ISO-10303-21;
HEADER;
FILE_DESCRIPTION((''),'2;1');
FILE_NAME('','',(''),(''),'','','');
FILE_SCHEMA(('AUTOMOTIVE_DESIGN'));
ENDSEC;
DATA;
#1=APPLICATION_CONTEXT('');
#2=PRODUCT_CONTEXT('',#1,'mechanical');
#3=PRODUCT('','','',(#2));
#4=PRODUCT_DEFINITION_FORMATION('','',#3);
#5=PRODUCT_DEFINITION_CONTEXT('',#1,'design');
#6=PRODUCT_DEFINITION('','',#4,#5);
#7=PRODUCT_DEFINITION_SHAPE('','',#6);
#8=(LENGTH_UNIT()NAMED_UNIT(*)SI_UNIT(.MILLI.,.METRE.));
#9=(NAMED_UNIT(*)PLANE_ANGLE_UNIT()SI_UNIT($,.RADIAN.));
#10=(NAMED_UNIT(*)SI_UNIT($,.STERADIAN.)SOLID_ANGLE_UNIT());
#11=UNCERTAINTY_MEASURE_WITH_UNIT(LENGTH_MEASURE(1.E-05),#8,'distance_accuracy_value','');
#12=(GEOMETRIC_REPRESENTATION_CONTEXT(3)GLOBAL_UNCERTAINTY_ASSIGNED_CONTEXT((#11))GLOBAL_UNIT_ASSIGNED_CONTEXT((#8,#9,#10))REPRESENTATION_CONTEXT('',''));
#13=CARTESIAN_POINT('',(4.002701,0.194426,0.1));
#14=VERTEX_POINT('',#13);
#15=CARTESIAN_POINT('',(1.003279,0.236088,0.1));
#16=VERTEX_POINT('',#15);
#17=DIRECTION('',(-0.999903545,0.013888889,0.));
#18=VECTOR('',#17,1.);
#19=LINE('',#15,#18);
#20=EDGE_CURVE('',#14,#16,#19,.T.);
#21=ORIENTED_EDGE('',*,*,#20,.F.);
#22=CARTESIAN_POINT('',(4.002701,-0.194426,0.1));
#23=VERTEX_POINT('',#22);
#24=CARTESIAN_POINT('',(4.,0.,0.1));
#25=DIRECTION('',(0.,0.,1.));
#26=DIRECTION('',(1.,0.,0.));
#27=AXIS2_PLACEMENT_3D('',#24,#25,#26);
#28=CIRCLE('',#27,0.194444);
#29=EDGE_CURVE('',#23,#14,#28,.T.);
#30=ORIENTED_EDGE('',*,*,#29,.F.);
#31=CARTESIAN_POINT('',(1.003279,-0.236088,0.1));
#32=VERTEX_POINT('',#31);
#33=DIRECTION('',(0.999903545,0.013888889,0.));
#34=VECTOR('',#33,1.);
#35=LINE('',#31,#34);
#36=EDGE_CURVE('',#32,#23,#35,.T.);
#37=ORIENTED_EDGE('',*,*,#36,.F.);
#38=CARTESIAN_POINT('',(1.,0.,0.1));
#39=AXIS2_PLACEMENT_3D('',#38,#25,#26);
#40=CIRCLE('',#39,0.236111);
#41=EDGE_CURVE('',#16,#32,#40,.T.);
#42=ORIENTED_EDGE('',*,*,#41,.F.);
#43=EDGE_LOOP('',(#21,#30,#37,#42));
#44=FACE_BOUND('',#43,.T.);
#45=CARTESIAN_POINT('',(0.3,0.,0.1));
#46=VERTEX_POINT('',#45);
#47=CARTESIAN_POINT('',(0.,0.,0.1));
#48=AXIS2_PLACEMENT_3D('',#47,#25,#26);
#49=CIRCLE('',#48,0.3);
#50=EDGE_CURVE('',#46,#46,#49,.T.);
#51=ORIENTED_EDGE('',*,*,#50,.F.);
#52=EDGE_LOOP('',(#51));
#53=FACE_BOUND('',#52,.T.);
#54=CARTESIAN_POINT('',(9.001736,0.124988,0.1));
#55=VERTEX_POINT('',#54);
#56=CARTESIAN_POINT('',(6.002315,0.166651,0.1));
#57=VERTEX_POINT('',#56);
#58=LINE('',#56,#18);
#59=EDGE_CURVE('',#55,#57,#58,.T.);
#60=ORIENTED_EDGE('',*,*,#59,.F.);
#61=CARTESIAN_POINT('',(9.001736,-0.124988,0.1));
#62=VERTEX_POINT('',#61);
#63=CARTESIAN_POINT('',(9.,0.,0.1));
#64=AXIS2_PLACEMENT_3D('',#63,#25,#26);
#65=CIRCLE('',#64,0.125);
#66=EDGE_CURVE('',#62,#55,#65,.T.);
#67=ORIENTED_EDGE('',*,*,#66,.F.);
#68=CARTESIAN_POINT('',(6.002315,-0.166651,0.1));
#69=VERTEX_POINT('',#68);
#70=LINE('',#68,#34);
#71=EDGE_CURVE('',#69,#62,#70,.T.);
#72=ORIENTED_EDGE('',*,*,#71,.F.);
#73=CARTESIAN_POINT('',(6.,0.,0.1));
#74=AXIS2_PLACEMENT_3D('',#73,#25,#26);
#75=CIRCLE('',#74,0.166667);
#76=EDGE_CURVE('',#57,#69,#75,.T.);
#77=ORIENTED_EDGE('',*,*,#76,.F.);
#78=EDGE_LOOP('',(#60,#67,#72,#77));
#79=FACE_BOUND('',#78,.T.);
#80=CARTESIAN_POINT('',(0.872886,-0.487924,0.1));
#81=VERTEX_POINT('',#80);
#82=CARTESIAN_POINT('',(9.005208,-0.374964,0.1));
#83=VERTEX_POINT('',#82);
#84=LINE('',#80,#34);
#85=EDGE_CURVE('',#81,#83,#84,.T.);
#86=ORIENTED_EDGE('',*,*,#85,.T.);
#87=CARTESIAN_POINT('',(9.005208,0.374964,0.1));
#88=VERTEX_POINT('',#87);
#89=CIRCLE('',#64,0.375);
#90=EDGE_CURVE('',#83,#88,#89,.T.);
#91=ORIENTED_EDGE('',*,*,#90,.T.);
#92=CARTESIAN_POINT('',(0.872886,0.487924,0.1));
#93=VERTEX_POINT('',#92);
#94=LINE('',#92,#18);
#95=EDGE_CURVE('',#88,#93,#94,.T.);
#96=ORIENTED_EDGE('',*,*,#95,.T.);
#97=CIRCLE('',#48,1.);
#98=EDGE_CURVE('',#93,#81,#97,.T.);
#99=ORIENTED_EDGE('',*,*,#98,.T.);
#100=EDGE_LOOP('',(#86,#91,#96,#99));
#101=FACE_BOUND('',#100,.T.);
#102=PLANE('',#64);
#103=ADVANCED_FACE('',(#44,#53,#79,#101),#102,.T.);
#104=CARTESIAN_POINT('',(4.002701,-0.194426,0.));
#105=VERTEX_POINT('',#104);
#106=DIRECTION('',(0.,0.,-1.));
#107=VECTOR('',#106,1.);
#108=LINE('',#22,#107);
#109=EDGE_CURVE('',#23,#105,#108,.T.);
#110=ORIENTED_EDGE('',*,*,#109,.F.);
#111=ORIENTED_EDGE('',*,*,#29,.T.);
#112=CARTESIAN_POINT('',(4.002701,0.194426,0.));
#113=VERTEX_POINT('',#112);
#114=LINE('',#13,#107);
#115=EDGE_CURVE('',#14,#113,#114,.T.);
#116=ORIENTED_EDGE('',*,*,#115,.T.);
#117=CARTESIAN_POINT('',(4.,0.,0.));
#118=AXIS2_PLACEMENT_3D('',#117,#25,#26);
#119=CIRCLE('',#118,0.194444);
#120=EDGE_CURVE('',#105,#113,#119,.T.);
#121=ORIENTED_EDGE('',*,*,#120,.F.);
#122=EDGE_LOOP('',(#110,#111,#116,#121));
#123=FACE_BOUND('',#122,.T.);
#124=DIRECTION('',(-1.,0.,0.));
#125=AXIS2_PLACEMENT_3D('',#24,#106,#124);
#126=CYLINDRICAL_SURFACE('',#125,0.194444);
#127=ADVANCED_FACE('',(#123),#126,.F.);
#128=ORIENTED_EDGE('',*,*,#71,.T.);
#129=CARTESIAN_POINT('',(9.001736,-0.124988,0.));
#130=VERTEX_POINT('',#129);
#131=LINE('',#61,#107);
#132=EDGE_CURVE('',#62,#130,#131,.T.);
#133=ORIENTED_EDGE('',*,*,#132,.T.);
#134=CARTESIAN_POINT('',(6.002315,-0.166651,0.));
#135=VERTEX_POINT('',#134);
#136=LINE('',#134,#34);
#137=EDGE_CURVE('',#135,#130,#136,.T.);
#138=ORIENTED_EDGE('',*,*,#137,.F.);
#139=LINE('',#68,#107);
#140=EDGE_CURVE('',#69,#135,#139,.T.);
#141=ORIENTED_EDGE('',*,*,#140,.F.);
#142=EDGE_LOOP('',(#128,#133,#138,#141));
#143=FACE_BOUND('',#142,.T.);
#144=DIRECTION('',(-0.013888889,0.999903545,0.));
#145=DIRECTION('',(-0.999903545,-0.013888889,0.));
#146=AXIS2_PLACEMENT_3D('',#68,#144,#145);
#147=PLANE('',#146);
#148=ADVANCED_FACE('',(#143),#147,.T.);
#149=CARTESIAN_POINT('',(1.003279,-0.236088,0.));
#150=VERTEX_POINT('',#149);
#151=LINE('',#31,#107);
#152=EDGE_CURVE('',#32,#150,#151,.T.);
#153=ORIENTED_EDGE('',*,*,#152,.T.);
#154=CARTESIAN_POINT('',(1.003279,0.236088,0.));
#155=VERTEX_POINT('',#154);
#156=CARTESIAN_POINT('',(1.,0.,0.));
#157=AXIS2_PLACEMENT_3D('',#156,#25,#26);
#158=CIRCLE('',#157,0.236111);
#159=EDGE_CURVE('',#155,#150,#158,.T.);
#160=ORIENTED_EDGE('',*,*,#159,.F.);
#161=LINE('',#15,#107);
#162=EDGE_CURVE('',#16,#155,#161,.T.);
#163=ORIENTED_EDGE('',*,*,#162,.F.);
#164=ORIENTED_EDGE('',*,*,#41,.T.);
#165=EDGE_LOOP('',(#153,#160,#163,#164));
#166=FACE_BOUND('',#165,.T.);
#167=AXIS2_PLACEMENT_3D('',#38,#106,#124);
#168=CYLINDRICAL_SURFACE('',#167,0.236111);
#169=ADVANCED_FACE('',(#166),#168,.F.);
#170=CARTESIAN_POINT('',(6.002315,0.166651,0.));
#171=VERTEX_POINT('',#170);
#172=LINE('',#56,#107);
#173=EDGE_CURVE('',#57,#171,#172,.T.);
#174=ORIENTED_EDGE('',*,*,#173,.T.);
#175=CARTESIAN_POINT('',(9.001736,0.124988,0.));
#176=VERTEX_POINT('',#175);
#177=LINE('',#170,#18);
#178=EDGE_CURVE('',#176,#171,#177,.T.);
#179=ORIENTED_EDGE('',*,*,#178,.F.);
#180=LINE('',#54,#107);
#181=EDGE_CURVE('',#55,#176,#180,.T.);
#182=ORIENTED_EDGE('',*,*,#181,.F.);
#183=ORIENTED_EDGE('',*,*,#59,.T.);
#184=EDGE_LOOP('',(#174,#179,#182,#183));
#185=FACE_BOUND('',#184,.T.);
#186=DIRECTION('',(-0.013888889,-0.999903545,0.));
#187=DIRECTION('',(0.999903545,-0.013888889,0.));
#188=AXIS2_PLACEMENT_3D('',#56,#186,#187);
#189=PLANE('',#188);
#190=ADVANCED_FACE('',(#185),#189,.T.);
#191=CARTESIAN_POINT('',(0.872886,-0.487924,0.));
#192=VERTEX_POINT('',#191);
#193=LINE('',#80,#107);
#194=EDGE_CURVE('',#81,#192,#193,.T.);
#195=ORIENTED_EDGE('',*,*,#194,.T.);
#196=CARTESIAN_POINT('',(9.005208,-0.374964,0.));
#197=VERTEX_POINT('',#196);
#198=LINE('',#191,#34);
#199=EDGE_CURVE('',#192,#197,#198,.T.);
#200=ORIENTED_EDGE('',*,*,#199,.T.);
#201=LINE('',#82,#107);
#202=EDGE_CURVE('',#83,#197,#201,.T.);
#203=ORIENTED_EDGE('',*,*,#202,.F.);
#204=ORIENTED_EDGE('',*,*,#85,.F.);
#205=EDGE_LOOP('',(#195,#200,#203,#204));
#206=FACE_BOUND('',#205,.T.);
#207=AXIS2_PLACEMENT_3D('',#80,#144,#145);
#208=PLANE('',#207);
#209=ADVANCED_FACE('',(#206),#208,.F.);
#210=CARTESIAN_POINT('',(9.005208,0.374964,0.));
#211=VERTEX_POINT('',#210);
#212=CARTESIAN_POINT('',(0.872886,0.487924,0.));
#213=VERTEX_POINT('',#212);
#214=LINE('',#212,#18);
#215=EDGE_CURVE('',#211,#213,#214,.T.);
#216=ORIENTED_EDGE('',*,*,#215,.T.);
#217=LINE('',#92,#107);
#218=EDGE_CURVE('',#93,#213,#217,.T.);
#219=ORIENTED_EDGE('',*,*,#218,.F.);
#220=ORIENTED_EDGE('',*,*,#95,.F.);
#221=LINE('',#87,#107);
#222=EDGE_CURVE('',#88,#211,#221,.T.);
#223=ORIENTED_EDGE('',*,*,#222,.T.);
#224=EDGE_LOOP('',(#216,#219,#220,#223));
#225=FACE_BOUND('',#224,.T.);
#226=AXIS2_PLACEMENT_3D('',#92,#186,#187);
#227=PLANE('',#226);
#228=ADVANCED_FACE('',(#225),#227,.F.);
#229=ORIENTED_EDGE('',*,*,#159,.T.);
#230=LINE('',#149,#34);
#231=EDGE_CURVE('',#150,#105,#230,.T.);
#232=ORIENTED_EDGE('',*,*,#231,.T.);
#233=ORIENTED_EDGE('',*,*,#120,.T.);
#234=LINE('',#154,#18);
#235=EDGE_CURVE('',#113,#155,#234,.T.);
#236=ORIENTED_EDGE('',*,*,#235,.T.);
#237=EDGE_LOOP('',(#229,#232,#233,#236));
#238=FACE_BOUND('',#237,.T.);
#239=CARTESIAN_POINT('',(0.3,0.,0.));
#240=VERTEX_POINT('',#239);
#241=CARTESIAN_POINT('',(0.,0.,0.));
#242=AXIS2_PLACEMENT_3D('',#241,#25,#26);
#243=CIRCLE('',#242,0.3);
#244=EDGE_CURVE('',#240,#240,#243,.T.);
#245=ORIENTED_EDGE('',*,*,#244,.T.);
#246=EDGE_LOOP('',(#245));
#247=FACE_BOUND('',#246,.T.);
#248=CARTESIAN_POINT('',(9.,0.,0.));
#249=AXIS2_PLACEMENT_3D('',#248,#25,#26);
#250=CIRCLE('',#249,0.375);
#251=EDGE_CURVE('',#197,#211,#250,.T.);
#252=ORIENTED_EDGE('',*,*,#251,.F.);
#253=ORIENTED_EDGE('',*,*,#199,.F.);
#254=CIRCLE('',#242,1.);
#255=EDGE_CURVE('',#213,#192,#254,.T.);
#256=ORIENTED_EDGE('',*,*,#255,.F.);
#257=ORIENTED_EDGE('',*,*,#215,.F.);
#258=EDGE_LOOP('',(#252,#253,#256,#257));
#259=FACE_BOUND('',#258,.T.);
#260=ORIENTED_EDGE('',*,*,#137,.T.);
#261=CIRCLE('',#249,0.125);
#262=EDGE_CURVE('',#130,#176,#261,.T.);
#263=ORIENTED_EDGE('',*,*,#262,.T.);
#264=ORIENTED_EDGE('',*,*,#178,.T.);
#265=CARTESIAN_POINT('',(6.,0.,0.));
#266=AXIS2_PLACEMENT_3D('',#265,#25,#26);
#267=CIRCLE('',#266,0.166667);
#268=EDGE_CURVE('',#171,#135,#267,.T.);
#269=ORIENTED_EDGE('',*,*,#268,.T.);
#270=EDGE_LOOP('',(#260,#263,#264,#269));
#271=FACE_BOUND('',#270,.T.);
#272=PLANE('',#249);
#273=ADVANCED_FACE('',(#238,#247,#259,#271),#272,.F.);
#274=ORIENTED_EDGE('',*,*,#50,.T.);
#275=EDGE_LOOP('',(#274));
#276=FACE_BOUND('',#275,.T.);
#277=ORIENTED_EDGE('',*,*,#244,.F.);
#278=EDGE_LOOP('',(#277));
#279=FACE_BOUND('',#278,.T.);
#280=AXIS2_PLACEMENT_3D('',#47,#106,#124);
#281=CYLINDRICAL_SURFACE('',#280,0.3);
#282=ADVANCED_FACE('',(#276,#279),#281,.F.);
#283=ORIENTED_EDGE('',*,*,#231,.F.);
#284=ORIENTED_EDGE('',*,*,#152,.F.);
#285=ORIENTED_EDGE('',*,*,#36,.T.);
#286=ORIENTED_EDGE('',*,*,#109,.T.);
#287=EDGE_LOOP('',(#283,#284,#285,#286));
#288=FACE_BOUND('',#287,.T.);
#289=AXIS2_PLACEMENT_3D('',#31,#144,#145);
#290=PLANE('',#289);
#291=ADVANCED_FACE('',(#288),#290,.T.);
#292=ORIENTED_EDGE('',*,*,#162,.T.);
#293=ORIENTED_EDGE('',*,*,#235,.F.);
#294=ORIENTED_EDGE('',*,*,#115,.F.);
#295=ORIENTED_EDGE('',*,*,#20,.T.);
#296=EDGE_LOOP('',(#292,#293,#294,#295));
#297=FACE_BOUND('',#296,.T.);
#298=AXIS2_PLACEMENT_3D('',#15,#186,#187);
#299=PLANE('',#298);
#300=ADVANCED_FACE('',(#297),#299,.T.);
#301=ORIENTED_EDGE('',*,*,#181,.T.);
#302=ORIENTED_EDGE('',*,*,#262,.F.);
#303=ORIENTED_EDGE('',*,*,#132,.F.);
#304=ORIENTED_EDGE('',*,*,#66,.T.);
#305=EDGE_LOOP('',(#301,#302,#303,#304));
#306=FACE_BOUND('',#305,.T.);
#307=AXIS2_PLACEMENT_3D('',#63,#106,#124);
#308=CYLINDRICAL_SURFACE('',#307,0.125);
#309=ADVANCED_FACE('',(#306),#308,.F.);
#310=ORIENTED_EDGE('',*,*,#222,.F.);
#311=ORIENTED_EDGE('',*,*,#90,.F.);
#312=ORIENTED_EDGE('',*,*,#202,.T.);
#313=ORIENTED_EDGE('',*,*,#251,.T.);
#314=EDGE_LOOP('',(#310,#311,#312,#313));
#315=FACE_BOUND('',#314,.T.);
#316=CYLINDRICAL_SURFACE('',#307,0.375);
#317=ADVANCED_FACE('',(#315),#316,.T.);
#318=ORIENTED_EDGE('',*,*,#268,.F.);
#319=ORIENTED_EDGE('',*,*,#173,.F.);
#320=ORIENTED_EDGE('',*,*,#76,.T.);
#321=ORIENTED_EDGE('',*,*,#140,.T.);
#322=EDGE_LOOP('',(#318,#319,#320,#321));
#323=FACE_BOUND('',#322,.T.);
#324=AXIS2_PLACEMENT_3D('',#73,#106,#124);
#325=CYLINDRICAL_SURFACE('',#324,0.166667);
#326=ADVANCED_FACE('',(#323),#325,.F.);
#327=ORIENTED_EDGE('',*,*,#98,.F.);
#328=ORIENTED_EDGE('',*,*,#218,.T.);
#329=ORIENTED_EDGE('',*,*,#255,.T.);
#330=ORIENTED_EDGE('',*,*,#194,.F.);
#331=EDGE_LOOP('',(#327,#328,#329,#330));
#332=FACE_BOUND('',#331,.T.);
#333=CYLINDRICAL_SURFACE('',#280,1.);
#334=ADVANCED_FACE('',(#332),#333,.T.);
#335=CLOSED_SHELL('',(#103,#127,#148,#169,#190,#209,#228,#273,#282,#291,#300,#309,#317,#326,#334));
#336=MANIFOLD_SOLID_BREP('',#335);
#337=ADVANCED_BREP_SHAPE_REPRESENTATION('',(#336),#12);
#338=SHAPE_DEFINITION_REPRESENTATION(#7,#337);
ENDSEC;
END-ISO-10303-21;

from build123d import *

# Parameters (mm, degrees)
SKETCH4_R          = 0.3
BASE_EXTRUDE_DEPTH = 0.1


with BuildPart() as part:
    # Sketch4 → Base-Extrude (new body)
    with BuildSketch(Plane.XY):
        with BuildLine():
            Line((0.872886316, 0.487923642), (9.005208333, 0.374963829))
            ThreePointArc((9.005208333, 0.374963829), (9.375, 0), (9.005208333, -0.374963829))
            Line((9.005208333, -0.374963829), (0.872886316, -0.487923642))
            ThreePointArc((0.872886316, -0.487923642), (-1, 0), (0.872886316, 0.487923642))
        make_face()
        Circle(SKETCH4_R, mode=Mode.SUBTRACT)
        with BuildLine():
            Line((1.003279321, 0.236088337), (4.002700617, 0.194425689))
            ThreePointArc((4.002700617, 0.194425689), (4.194444444, 0), (4.002700617, -0.194425689))
            Line((4.002700617, -0.194425689), (1.003279321, -0.236088337))
            ThreePointArc((1.003279321, -0.236088337), (0.763888889, 0), (1.003279321, 0.236088337))
        make_face(mode=Mode.SUBTRACT)
        with BuildLine():
            Line((6.002314815, -0.166650591), (9.001736111, -0.124987943))
            ThreePointArc((9.001736111, -0.124987943), (9.125, 0), (9.001736111, 0.124987943))
            Line((9.001736111, 0.124987943), (6.002314815, 0.166650591))
            ThreePointArc((6.002314815, 0.166650591), (5.833333333, 0), (6.002314815, -0.166650591))
        make_face(mode=Mode.SUBTRACT)
    extrude(amount=BASE_EXTRUDE_DEPTH)


solid = part.part
